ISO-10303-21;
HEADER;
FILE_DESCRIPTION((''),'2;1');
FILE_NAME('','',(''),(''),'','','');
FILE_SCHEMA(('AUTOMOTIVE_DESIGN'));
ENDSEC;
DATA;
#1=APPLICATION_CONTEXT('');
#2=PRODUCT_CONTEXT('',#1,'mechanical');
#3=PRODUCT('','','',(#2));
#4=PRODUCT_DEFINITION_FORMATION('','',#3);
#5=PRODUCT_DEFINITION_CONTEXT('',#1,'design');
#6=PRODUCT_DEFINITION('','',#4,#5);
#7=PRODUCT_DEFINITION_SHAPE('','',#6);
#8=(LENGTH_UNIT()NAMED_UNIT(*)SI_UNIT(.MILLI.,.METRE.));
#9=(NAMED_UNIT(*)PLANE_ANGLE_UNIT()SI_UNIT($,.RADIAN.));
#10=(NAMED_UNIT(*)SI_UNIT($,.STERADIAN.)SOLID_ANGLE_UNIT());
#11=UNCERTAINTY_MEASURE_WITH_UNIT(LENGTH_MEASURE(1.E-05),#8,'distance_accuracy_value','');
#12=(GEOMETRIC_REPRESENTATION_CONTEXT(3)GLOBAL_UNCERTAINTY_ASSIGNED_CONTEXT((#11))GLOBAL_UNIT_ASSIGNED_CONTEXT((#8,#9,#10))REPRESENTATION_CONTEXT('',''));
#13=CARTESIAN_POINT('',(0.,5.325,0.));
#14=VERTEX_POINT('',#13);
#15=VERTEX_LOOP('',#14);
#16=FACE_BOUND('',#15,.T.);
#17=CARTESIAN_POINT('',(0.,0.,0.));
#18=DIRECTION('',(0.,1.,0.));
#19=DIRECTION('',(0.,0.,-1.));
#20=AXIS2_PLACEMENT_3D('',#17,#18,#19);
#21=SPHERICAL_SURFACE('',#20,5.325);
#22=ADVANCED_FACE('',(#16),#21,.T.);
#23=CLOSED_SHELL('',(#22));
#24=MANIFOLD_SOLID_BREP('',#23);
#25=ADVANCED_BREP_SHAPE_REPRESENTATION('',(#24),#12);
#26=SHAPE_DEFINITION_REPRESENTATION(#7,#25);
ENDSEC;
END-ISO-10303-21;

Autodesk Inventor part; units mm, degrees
ref_plane "YZ Plane" through (0, 0, 0) normal (1, 0, 0) x (0, 1, 0)
ref_plane "XZ Plane" through (0, 0, 0) normal (0, 1, 0) x (-1, 0, 0)
ref_plane "XY Plane" through (0, 0, 0) normal (0, 0, 1) x (1, 0, 0)
sketch "Esboço1" plane through (0, 0, 0) normal (1, 0, 0) x (0, 1, 0)
  arc A0 (-5.325, 0) -> (5.325, 0) centre (0, 0) ccw
  line L0 (-5.325, 0) -> (5.325, 0)
  dimension "d0" = 10.65
revolve "Revolução1" add sketch "Esboço1" angle 360 about axis through (0, -5.325, 0) along (0, 1, 0)
properties part number "esfera"
